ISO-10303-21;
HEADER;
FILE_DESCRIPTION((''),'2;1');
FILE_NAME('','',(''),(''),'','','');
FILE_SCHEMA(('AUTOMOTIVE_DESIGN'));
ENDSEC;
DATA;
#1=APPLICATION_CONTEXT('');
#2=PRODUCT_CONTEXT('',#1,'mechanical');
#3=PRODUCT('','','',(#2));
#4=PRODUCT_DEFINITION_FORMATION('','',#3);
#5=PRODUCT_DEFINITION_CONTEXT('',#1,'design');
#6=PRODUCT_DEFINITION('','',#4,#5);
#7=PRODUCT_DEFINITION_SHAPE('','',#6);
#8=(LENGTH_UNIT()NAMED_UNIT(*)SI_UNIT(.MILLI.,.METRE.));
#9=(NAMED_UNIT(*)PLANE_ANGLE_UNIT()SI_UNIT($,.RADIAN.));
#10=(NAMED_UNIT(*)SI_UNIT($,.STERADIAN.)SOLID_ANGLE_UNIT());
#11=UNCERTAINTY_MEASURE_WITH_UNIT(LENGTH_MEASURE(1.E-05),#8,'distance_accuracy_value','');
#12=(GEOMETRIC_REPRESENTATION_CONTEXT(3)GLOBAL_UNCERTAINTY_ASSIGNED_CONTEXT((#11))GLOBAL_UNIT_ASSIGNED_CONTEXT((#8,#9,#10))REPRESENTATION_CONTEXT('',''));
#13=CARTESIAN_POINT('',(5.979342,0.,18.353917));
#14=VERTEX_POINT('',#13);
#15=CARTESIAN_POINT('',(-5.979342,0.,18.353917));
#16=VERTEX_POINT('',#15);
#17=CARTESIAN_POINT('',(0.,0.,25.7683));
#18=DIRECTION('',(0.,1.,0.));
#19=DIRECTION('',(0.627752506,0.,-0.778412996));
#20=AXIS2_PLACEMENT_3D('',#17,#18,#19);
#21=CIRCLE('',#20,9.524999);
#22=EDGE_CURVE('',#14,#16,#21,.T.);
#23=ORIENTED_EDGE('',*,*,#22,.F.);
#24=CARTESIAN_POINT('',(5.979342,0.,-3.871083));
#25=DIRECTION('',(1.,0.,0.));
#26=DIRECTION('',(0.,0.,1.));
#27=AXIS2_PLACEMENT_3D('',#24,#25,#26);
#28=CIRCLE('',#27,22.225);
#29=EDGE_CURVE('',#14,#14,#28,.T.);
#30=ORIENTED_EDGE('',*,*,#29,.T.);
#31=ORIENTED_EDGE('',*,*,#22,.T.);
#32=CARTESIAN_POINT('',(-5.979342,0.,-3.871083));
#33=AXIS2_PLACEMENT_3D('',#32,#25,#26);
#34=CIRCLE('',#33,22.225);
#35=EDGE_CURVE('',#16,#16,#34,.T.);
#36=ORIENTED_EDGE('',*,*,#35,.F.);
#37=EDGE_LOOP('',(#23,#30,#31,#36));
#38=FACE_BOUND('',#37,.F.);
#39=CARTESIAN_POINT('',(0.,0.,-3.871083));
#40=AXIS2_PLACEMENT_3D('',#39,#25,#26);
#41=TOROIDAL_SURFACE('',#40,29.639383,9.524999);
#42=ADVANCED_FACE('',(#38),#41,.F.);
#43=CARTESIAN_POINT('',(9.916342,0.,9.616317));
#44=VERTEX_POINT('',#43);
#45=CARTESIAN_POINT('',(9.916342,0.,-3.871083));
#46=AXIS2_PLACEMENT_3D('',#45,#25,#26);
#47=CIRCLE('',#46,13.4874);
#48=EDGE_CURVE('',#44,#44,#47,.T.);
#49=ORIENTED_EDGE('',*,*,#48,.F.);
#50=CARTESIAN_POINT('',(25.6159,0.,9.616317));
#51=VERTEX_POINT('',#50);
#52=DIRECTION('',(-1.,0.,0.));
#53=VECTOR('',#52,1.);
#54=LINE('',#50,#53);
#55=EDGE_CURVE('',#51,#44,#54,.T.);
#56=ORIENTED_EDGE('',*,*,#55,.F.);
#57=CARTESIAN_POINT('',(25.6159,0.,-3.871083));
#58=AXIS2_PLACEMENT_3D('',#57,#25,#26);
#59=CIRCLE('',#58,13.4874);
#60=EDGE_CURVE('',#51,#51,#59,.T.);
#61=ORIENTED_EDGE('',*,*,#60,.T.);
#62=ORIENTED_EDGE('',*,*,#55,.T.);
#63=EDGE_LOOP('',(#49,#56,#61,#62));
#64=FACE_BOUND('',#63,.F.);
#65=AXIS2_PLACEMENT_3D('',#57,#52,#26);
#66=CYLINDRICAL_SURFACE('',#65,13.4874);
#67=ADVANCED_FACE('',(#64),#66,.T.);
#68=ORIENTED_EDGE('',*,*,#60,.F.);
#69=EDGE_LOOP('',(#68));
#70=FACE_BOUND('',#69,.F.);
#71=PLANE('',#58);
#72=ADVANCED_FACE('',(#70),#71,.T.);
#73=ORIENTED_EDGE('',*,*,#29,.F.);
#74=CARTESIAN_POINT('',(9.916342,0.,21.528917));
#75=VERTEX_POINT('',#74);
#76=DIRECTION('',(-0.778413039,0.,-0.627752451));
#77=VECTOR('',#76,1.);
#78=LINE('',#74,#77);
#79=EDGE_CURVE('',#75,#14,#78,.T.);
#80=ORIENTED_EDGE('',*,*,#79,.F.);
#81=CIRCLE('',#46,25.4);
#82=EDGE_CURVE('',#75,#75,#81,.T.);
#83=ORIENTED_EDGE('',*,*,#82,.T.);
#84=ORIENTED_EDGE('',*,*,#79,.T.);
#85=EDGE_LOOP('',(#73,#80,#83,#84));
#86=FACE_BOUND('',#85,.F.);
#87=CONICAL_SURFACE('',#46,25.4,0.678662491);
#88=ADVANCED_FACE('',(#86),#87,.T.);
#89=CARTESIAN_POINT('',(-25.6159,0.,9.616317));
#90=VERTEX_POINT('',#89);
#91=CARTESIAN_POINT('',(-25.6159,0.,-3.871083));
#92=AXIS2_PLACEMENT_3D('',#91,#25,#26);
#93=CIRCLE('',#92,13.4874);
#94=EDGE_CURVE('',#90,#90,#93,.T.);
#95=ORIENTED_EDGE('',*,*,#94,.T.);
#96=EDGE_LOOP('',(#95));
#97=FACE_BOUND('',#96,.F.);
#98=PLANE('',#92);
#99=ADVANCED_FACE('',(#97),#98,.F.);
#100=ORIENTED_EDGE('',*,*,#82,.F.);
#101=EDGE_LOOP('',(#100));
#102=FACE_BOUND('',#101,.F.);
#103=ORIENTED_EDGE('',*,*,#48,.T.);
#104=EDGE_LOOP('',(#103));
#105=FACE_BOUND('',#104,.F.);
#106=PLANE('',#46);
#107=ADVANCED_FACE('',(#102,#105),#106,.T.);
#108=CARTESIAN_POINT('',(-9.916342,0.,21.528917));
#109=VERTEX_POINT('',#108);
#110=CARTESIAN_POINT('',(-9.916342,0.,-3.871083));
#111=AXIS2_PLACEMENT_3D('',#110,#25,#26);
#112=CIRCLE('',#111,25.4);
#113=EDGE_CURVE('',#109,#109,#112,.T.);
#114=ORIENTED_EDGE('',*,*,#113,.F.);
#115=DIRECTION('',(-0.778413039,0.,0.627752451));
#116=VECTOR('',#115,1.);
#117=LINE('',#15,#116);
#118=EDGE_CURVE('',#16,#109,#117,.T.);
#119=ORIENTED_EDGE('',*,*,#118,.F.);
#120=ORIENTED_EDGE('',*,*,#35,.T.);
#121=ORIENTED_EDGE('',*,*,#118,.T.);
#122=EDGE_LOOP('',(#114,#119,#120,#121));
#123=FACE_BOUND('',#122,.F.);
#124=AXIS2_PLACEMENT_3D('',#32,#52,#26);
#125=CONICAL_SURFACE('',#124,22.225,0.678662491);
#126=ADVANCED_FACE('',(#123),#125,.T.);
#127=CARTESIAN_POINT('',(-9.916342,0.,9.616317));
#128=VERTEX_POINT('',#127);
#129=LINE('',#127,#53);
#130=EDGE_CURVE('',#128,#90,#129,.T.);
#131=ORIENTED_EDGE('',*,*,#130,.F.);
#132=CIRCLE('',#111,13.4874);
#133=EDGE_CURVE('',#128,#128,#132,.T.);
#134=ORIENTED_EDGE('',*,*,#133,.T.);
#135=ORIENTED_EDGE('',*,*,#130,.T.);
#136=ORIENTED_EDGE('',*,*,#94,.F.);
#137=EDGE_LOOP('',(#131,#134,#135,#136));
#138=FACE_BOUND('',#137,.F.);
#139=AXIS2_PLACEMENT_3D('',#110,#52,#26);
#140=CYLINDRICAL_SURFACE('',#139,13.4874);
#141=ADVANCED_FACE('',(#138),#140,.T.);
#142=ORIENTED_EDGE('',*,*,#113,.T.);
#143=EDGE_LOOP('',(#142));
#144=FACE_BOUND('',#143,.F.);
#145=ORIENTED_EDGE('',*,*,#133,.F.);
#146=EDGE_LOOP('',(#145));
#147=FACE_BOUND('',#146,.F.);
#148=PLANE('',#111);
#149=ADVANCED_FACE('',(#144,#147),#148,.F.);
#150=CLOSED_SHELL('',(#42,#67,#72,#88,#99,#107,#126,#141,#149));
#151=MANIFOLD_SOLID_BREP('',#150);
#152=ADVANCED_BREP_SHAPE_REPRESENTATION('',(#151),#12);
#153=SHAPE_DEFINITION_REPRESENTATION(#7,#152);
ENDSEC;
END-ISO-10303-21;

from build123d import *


with BuildPart() as f1:
    # F0 (on Front) → F1 (revolve)
    with BuildSketch(Plane.XZ):
        with BuildLine():
            Line((-25.6159, 9.616317), (-25.6159, -3.871083))
            Line((-25.6159, -3.871083), (25.6159, -3.871083))
            Line((25.6159, -3.871083), (25.6159, 9.616317))
            Line((25.6159, 9.616317), (9.916342, 9.616317))
            Line((9.916342, 9.616317), (9.916342, 21.528917))
            Line((9.916342, 21.528917), (5.979342, 18.353917))
            ThreePointArc((5.979342, 18.353917), (0, 16.243301), (-5.979342, 18.353917))
            Line((-5.979342, 18.353917), (-9.916342, 21.528917))
            Line((-9.916342, 21.528917), (-9.916342, 9.616317))
            Line((-9.916342, 9.616317), (-25.6159, 9.616317))
        make_face()
    revolve(axis=Axis((0, 0, -3.871083), (1, 0, 0)))


solid = f1.part
